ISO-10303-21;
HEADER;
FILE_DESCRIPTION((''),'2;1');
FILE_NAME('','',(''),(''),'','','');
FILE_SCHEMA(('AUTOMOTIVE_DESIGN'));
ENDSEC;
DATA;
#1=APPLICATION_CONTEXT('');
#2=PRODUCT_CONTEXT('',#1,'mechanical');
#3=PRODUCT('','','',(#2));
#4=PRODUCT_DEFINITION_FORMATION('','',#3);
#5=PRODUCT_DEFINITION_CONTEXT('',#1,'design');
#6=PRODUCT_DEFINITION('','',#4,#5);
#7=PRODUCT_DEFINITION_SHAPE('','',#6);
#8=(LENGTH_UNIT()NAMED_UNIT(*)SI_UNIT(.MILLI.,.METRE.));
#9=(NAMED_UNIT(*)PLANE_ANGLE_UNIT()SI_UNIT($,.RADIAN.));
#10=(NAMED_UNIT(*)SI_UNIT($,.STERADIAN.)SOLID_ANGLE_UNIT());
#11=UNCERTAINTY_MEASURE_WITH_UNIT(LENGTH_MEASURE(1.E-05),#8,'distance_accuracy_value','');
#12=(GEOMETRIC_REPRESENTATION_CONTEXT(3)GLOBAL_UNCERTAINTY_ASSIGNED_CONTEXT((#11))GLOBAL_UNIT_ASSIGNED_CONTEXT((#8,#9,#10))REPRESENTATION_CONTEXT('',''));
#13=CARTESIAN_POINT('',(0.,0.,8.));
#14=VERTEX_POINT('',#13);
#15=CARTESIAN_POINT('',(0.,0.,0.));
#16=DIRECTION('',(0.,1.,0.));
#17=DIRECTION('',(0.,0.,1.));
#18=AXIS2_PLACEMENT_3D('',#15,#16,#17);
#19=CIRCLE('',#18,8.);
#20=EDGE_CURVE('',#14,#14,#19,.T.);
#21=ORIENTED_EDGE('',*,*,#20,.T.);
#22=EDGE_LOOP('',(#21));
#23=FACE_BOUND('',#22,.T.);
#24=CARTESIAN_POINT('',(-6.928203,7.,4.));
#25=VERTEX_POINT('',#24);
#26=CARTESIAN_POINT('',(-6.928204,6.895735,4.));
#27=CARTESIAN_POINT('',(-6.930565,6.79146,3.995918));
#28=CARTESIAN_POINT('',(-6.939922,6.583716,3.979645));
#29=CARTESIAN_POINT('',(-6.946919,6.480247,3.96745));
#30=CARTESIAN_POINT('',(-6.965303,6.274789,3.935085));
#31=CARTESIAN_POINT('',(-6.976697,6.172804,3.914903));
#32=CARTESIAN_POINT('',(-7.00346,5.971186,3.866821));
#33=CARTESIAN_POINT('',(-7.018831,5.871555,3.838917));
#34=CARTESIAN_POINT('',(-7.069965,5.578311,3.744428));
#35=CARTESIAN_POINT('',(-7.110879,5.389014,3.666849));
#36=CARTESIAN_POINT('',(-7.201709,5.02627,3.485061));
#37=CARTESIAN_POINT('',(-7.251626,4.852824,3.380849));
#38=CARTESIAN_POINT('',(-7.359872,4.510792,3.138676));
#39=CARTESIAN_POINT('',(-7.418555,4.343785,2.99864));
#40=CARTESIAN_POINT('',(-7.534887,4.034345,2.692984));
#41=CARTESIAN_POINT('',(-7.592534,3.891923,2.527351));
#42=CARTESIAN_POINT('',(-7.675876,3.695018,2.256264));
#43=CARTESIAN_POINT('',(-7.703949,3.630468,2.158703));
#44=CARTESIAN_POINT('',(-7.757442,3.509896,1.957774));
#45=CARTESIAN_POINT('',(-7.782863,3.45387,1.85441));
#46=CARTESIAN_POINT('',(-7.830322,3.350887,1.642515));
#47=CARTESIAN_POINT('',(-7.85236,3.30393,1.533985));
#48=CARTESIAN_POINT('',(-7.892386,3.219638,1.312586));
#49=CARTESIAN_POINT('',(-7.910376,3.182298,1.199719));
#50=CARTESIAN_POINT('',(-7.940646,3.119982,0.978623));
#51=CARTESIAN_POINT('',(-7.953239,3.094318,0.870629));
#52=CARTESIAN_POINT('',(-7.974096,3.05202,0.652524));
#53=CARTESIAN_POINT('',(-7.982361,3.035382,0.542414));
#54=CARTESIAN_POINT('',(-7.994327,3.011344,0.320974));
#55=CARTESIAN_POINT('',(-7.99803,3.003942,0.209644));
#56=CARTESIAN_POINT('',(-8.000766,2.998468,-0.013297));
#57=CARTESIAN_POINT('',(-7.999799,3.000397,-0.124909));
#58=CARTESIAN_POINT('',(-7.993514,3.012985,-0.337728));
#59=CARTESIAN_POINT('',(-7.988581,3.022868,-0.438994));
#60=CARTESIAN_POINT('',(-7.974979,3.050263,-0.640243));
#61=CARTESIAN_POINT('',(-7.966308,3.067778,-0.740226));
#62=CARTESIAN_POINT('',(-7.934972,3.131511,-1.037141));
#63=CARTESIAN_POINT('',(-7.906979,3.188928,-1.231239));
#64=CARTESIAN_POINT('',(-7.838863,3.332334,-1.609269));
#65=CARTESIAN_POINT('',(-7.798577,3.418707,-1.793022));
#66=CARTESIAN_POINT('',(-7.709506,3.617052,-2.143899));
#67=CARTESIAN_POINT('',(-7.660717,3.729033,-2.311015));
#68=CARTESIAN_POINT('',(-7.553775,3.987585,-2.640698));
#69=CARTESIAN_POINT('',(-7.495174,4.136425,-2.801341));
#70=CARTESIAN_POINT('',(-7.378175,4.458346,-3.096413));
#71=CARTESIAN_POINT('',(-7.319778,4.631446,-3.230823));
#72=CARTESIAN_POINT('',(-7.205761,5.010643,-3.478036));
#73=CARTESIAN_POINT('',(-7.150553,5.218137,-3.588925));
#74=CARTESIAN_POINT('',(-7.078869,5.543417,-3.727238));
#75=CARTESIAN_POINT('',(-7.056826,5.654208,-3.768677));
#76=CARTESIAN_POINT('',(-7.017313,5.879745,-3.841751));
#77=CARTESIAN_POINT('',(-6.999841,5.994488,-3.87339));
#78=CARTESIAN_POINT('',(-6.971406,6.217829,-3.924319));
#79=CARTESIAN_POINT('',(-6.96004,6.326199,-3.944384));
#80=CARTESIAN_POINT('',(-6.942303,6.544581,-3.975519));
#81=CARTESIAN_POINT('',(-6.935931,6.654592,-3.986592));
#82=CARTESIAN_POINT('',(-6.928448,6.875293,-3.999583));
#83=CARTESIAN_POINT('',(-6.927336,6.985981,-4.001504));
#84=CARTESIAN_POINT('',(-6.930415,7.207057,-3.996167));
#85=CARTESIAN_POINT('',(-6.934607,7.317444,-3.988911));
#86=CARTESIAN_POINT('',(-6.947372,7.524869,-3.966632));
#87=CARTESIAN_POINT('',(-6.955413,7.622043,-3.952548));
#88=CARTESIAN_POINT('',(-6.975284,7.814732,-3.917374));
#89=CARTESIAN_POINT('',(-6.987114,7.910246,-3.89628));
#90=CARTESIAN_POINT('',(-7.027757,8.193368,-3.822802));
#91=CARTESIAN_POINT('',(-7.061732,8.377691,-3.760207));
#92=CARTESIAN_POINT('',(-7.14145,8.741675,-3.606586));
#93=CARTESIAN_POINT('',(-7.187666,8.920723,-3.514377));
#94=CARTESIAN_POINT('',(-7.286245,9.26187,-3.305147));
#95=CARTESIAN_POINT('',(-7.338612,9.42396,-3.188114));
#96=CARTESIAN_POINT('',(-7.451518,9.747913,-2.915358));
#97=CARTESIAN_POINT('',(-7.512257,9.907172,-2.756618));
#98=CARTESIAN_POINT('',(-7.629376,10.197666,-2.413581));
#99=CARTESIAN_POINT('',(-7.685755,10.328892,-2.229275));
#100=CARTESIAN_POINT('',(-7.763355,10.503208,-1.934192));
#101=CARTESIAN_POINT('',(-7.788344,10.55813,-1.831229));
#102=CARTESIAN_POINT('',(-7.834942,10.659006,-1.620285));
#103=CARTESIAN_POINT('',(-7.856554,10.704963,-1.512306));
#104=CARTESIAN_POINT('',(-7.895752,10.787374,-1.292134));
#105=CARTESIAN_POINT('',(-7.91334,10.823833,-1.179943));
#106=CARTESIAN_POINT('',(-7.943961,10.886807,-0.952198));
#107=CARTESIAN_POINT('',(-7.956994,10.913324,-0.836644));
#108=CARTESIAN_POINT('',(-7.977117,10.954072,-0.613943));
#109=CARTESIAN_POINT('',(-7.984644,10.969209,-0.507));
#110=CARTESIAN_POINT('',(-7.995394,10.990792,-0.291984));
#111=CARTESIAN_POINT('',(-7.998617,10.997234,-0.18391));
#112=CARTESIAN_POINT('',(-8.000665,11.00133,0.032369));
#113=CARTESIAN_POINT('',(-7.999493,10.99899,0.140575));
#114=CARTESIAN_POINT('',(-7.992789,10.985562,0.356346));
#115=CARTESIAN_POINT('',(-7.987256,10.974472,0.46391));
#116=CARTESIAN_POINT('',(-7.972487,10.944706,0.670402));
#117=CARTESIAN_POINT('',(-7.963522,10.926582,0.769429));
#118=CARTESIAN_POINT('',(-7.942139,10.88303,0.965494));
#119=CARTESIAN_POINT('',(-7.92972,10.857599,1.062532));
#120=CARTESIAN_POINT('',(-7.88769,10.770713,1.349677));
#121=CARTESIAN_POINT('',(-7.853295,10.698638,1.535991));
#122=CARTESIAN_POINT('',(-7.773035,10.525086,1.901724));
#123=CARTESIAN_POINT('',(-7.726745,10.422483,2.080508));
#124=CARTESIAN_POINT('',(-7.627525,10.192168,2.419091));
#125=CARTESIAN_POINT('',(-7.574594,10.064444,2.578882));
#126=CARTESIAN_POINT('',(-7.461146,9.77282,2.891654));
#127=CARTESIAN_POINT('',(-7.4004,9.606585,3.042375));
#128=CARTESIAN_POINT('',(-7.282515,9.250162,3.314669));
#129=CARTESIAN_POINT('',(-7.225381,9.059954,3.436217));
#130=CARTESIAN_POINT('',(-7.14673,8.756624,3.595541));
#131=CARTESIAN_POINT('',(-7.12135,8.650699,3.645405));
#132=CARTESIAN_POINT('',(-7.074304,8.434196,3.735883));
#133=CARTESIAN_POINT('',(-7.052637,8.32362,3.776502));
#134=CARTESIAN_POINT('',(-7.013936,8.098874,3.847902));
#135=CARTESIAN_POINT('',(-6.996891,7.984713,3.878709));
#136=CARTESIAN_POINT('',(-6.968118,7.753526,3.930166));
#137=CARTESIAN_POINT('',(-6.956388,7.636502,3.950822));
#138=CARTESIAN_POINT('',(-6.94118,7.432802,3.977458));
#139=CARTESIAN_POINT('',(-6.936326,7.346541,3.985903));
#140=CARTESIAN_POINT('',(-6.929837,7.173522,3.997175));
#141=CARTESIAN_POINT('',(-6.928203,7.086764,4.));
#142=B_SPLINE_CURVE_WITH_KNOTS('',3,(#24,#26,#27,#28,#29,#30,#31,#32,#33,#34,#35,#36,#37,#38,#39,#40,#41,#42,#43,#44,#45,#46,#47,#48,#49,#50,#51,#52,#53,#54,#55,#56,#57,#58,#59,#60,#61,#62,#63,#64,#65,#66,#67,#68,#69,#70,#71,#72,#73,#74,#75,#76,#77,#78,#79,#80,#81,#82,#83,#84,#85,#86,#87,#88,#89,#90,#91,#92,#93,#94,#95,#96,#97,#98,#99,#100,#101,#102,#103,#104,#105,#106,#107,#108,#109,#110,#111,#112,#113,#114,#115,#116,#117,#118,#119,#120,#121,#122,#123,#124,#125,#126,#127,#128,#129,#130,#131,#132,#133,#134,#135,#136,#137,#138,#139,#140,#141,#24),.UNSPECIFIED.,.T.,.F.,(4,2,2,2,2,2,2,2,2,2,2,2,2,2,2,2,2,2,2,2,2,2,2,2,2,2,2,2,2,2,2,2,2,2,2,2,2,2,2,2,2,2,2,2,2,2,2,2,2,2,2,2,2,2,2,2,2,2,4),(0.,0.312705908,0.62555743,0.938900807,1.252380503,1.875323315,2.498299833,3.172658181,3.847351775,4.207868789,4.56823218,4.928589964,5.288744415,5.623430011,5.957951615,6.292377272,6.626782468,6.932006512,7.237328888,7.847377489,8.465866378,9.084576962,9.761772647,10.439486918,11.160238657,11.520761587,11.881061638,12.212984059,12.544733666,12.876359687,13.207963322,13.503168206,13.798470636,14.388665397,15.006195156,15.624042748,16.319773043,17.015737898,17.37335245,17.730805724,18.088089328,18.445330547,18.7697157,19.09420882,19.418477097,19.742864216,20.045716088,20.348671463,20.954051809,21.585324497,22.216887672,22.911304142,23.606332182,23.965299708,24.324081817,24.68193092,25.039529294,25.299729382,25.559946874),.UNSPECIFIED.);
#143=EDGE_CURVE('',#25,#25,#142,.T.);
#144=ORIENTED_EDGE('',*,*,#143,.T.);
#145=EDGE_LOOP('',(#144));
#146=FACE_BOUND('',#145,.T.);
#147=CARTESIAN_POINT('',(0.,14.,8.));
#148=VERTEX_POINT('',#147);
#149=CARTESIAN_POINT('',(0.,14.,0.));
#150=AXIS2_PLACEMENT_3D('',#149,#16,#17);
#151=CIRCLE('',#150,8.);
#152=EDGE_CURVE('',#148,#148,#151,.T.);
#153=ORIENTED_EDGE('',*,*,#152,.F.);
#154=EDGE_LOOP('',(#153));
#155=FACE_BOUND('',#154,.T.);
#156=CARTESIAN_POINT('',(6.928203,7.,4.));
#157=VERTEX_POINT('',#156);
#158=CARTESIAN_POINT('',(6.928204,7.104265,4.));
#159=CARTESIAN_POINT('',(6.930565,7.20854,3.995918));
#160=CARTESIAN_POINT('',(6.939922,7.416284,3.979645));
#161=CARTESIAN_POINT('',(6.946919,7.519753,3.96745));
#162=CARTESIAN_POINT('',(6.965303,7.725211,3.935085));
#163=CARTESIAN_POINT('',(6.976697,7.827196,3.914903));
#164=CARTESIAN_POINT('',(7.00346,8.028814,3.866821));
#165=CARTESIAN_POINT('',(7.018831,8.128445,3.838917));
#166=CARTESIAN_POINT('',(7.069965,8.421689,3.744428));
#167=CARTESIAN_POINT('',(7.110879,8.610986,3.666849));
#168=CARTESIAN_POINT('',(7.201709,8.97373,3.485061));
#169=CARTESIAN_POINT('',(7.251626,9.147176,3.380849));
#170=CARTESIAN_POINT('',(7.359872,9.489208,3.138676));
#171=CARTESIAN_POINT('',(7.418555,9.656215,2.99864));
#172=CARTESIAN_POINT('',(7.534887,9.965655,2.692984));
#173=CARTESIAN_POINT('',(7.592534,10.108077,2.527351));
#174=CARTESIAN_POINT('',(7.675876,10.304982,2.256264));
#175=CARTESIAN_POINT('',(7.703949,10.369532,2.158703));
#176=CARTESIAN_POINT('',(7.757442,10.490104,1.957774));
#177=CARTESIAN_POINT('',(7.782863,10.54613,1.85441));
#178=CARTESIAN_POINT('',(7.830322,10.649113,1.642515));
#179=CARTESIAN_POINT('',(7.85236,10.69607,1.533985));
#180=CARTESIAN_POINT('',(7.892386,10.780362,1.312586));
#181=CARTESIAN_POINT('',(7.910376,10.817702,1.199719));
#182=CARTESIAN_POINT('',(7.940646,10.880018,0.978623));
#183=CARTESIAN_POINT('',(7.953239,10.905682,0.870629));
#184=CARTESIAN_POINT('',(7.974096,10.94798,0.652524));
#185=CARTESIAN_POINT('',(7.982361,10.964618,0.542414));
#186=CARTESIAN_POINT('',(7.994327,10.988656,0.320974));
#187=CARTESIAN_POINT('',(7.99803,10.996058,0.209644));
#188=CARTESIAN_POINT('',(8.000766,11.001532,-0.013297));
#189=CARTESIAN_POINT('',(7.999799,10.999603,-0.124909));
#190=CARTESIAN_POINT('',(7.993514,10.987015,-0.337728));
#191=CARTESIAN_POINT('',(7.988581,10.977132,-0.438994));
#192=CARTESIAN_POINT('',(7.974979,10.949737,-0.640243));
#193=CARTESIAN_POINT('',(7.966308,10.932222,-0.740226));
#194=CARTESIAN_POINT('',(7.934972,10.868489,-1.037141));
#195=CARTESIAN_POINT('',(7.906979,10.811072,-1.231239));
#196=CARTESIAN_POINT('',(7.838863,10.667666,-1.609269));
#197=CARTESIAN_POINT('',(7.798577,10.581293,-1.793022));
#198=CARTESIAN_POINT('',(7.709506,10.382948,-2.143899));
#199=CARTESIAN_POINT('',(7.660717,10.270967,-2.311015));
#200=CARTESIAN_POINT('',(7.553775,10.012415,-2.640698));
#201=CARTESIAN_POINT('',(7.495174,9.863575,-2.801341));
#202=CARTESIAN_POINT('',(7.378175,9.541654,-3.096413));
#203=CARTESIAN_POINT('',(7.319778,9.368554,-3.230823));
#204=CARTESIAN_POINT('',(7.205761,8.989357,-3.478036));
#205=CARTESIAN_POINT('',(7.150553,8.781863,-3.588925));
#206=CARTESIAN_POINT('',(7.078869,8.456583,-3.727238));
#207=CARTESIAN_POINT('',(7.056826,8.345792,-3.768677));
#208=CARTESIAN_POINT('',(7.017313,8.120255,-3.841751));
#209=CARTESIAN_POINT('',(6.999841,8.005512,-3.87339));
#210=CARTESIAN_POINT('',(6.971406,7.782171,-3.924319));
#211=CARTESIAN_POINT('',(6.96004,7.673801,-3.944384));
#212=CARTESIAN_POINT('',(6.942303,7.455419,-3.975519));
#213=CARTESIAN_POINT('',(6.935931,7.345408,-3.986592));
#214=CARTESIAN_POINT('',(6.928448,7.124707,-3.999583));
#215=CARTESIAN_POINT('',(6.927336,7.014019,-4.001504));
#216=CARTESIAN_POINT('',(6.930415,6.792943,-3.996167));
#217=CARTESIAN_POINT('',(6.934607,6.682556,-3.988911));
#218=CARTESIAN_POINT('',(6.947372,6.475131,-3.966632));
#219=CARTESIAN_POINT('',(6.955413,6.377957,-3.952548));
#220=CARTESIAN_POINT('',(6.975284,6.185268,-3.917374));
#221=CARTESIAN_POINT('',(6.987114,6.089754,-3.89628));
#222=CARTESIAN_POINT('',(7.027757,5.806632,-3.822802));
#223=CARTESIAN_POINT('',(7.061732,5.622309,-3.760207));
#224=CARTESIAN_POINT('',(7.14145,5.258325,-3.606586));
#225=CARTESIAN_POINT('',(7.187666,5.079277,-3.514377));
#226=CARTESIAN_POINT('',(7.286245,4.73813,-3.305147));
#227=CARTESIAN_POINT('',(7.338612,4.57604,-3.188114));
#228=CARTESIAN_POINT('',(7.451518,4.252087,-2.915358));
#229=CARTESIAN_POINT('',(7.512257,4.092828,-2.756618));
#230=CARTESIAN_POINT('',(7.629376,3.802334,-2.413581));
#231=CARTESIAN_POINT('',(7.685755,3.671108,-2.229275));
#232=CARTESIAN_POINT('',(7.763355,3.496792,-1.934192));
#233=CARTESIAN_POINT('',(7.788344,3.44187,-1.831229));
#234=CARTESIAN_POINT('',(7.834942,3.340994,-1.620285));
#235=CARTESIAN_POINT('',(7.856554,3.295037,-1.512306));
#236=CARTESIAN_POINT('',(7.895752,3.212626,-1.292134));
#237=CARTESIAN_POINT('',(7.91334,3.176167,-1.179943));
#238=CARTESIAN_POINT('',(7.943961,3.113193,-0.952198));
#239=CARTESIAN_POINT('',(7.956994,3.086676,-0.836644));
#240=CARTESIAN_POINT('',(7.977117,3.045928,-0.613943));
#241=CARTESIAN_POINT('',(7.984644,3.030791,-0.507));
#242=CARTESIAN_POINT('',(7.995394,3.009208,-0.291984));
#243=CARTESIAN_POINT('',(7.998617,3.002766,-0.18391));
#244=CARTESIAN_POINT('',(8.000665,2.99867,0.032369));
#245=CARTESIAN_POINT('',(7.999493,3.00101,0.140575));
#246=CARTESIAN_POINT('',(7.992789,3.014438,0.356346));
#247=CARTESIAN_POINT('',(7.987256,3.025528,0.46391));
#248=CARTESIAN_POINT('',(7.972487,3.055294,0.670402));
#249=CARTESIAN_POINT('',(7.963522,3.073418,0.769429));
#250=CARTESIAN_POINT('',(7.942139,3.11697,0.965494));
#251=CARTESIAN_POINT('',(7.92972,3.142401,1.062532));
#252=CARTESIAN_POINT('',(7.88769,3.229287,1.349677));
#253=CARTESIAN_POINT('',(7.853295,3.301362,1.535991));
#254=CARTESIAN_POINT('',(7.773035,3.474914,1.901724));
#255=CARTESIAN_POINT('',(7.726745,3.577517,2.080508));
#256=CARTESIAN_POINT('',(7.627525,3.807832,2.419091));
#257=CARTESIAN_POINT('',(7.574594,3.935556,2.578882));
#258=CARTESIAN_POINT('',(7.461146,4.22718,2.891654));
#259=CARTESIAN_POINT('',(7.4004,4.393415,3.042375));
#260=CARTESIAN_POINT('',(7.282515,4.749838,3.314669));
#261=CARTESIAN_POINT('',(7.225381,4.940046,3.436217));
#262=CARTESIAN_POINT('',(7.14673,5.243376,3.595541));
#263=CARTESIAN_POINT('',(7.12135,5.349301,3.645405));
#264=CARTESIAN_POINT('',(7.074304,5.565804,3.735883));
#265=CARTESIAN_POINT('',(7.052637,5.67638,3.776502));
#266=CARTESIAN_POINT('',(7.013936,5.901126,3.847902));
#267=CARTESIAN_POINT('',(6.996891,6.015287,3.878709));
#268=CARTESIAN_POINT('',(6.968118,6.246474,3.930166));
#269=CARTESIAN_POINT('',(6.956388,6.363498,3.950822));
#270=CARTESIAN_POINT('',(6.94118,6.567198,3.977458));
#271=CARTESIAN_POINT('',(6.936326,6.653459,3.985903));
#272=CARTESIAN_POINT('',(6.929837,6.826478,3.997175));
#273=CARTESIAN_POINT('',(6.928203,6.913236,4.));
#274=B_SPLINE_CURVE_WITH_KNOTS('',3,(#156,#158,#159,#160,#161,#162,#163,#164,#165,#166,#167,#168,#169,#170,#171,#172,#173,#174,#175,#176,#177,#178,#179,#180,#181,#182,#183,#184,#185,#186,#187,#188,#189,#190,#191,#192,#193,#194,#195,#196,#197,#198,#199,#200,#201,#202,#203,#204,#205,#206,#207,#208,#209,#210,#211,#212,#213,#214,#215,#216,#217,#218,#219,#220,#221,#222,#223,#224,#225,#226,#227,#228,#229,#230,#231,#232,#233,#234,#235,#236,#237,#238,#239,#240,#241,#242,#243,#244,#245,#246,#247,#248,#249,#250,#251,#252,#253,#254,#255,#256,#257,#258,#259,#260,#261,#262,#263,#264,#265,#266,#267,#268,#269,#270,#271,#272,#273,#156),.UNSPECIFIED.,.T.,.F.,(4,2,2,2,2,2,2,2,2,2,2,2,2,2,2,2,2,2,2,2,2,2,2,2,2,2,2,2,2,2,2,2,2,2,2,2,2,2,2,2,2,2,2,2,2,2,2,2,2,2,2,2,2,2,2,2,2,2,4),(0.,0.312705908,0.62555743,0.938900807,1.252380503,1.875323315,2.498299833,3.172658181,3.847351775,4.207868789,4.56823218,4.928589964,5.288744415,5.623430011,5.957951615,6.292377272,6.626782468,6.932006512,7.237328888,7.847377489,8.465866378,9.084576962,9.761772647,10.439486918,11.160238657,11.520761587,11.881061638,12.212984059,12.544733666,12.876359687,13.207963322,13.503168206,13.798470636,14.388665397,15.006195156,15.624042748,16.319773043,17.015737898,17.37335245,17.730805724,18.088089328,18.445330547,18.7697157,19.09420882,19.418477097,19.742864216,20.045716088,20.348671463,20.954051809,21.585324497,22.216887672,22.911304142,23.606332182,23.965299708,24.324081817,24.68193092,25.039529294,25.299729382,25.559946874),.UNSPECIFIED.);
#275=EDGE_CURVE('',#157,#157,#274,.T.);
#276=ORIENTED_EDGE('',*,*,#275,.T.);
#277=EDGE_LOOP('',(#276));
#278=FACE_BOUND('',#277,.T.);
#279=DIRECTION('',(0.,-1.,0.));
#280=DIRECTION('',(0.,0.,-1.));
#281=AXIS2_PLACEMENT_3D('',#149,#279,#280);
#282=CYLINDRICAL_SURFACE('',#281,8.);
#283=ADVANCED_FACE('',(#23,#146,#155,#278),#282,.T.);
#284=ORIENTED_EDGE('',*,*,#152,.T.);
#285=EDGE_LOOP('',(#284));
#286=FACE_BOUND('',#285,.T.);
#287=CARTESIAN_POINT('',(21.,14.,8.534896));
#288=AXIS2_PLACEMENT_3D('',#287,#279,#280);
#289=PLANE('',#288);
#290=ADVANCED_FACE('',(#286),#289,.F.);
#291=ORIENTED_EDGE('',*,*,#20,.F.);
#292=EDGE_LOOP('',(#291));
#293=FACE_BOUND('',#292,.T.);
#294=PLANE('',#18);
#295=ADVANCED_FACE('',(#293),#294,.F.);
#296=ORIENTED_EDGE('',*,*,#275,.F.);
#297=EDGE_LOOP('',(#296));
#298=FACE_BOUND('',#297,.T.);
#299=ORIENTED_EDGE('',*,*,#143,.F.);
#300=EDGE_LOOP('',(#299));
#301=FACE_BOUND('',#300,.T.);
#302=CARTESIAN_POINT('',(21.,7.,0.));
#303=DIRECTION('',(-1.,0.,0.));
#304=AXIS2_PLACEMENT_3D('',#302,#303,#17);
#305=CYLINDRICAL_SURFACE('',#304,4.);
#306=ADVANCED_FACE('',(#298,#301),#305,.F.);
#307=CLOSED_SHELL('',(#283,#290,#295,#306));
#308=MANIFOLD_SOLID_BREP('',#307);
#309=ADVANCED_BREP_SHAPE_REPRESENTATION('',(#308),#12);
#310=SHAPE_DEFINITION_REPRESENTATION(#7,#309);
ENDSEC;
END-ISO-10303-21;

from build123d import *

# Parameters (mm, degrees)
SKETCH1_R           = 8
BOSS_EXTRUDE1_DEPTH = 14
SKETCH2_W           = 16
SKETCH2_H           = 17.069791858
BOSS_EXTRUDE2_DEPTH = 7
SKETCH3_R           = 4
CUT_EXTRUDE1_DEPTH  = 29
SKETCH4_W           = 17.069791858
SKETCH4_H           = 7
CUT_EXTRUDE2_DEPTH  = 29


with BuildPart() as part:
    # Sketch1 → Boss-Extrude1 (new body)
    with BuildSketch(Plane(origin=(0, 0, 0), x_dir=(1, 0, 0), z_dir=(0, 1, 0))):
        Circle(SKETCH1_R)
    extrude(amount=BOSS_EXTRUDE1_DEPTH)

    # Sketch2 → Boss-Extrude2 (add)
    with BuildSketch(Plane(origin=(0, 14, 0), x_dir=(1, 0, 0), z_dir=(0, 1, 0))):
        Rectangle(SKETCH2_W, SKETCH2_H)
    extrude(amount=BOSS_EXTRUDE2_DEPTH)

    # Sketch3 → Cut-Extrude1 (cut)
    with BuildSketch(Plane.ZY.offset(8)):
        with Locations((0, 7)):
            Circle(SKETCH3_R)
    extrude(amount=-CUT_EXTRUDE1_DEPTH, mode=Mode.SUBTRACT)

    # Sketch4 → Cut-Extrude2 (cut)
    with BuildSketch(Plane.ZY.offset(8)):
        with Locations((0, 17.5)):
            Rectangle(SKETCH4_W, SKETCH4_H)
    extrude(amount=-CUT_EXTRUDE2_DEPTH, mode=Mode.SUBTRACT)


solid = part.part
